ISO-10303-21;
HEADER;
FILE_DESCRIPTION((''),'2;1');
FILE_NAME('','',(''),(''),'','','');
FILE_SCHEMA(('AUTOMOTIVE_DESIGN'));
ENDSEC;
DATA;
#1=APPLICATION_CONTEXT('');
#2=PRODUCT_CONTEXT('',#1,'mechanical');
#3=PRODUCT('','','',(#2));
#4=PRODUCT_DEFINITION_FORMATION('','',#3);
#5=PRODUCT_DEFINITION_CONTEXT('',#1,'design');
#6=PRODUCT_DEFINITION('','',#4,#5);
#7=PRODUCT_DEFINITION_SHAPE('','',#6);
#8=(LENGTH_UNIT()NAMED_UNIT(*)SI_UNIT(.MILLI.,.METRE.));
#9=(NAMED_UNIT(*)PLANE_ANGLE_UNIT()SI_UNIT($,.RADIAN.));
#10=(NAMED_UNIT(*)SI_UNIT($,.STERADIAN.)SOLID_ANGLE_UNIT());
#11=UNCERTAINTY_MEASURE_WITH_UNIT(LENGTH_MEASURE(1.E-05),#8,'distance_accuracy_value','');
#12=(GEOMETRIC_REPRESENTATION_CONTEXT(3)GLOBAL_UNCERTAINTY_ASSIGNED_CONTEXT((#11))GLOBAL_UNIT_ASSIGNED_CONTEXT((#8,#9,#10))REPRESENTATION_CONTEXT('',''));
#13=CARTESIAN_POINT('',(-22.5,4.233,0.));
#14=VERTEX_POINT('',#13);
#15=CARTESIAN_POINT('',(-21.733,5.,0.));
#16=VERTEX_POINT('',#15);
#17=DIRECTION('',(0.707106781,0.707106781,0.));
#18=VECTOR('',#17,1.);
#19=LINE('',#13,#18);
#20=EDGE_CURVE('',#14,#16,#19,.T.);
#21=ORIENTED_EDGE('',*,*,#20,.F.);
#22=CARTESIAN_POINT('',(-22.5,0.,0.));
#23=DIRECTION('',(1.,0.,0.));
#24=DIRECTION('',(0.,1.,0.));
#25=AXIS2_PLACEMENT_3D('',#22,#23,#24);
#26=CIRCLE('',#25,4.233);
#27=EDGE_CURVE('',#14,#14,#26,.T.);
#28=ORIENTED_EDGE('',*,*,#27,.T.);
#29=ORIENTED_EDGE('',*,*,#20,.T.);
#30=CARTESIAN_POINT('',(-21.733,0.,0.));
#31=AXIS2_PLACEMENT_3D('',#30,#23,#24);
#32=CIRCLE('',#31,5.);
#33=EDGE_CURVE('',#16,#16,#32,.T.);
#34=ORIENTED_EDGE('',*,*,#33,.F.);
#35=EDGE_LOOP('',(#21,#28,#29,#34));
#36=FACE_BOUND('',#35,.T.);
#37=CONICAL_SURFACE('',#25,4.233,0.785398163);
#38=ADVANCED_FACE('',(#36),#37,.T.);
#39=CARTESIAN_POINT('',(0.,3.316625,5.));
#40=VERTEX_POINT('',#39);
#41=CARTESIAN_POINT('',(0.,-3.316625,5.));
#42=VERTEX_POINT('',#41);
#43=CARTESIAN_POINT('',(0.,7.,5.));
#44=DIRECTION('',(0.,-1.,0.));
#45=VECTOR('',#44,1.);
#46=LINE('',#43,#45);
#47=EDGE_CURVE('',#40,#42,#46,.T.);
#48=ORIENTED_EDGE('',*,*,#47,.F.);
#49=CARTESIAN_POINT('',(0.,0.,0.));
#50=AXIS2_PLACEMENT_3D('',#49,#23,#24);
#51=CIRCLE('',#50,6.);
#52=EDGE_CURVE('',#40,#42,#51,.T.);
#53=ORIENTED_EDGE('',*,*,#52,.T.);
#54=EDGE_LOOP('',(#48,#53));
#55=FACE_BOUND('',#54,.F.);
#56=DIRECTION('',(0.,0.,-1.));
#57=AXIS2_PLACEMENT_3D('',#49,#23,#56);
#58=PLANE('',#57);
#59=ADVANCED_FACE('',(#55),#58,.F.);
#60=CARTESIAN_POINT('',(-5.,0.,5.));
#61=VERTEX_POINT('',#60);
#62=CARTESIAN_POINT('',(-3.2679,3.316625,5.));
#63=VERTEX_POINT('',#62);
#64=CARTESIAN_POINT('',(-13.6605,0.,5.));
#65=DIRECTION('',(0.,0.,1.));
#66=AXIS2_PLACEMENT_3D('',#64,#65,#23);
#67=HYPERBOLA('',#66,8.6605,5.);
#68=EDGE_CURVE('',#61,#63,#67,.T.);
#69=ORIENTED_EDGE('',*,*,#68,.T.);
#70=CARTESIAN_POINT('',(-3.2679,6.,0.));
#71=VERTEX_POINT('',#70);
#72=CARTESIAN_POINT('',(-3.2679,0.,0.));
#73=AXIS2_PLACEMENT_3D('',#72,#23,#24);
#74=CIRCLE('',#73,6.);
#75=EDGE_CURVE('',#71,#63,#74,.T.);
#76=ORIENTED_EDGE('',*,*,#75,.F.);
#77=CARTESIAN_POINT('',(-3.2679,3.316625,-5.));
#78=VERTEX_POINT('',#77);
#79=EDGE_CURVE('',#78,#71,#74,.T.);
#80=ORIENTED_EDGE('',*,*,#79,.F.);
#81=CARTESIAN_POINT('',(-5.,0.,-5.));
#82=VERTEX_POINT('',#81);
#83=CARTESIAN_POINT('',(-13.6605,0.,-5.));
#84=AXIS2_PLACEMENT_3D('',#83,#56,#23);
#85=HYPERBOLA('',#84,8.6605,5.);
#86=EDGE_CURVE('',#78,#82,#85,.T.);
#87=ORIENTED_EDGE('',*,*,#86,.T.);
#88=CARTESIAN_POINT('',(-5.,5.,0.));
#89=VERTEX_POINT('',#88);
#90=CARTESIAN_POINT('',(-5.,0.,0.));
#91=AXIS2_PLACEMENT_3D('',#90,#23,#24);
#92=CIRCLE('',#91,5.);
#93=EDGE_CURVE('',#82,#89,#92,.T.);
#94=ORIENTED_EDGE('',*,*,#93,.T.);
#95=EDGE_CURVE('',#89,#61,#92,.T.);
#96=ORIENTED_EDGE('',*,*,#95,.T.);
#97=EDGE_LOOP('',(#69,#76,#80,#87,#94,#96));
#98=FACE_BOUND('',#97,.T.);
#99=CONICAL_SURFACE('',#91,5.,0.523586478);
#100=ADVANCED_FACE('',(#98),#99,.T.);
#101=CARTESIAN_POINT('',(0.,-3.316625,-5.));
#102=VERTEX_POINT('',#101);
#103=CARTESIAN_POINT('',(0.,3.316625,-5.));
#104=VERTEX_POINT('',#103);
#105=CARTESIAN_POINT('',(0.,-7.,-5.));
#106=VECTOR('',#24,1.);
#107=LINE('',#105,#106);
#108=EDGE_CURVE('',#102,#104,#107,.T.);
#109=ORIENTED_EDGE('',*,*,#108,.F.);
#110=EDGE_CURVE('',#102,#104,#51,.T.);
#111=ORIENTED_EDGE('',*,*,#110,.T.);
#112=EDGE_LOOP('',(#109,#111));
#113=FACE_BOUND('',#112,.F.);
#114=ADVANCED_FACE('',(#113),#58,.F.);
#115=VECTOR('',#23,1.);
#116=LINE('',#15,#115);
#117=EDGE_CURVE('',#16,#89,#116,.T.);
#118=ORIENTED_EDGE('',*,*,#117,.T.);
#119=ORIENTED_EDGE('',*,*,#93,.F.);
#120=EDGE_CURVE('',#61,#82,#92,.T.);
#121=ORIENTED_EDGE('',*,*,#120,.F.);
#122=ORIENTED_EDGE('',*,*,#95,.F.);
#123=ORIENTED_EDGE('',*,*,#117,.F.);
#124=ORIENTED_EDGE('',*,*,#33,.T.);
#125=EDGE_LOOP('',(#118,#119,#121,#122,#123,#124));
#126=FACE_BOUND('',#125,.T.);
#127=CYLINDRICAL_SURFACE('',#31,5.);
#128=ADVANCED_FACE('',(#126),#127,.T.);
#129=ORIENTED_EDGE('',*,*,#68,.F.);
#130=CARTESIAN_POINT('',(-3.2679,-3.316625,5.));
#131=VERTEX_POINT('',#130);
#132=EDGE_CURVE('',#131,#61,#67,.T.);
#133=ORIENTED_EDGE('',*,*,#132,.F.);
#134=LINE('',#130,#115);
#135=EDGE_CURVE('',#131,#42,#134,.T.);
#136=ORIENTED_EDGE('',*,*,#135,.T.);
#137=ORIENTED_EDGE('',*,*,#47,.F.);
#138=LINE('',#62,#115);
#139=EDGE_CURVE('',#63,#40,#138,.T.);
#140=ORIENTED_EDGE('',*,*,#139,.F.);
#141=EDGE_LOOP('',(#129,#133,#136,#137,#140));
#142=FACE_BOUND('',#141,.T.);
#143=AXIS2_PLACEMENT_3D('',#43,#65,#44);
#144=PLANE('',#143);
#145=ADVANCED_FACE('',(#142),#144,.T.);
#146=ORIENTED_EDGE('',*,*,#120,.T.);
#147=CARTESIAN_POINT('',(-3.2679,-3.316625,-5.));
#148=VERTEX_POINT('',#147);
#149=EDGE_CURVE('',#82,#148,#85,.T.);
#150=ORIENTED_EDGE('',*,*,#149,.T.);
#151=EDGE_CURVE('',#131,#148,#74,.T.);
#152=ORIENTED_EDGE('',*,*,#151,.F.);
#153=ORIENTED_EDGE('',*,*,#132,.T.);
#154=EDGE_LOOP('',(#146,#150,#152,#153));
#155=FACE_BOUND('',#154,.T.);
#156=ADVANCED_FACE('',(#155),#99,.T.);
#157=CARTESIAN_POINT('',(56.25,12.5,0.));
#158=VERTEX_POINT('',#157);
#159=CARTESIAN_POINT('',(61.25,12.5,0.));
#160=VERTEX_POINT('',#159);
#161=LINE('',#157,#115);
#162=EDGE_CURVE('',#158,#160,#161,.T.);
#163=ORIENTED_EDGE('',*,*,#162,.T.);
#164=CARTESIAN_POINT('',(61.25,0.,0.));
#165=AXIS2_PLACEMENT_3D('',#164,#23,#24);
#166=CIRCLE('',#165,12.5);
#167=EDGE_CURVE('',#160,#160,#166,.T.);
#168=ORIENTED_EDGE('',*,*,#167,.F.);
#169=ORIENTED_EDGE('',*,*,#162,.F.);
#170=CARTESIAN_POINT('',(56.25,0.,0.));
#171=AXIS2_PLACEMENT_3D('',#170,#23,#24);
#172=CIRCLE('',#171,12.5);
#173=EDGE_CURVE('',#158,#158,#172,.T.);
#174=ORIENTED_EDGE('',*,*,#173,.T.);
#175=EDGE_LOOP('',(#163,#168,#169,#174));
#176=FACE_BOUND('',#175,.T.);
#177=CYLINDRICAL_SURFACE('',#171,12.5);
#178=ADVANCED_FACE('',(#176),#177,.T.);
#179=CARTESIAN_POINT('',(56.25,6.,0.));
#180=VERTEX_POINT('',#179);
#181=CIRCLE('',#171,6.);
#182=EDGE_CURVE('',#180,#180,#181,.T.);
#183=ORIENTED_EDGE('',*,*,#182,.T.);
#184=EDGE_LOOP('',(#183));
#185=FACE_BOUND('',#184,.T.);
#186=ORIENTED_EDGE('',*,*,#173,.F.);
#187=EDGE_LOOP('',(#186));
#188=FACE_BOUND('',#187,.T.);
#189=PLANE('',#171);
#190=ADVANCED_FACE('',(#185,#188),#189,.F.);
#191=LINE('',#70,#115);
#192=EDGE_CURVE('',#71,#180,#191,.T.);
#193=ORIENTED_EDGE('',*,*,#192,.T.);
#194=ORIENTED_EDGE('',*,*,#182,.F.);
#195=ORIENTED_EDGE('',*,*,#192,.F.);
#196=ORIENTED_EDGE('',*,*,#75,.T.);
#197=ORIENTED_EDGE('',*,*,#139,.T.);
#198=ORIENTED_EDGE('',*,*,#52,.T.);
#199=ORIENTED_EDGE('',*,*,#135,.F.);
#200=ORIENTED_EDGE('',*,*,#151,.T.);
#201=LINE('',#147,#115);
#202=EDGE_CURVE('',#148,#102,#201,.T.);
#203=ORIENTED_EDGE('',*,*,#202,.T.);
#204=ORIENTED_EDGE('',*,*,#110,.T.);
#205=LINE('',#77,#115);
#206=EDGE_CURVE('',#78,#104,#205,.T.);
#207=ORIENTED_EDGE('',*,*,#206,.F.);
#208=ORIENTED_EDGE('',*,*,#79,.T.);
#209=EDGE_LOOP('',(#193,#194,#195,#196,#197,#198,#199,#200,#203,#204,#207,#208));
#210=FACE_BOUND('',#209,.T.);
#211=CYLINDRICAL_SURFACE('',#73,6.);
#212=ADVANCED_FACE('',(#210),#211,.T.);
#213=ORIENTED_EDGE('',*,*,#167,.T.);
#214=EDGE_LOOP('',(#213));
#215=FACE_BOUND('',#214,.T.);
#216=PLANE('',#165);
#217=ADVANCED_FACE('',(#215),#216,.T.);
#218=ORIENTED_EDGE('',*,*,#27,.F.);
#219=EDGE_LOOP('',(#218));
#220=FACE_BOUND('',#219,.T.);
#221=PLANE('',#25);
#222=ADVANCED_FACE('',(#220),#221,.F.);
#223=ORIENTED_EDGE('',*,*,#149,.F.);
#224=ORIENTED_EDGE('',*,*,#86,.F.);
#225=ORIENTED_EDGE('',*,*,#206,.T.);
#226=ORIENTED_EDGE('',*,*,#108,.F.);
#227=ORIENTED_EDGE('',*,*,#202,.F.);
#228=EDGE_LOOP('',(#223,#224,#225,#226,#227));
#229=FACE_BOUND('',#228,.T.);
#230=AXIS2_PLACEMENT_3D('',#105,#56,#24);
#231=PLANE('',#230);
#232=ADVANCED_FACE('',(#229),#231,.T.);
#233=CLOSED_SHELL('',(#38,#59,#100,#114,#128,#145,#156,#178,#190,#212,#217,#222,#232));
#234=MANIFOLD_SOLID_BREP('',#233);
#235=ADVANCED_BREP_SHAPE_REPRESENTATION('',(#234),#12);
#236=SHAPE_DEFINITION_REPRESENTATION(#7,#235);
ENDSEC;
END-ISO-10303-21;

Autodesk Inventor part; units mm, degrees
sketch "Sketch_3" plane through (0, 0, 0) normal (0, 0, 1) x (1, 0, 0)
  line L0 (61.25, 0) -> (-22.5, 0)
  line L1 (-22.5, 0) -> (-22.5, 4.233)
  line L2 (-22.5, 4.233) -> (-21.733, 5)
  line L3 (-21.733, 5) -> (-5, 5)
  line L4 (-5, 5) -> (-3.2679, 6)
  line L5 (-3.2679, 6) -> (56.25, 6)
  line L6 (56.25, 6) -> (56.25, 12.5)
  line L7 (56.25, 12.5) -> (61.25, 12.5)
  line L8 (61.25, 12.5) -> (61.25, 0)
  line L9 (61.25, 0) -> (-22.5, 0)
revolve "Revolution1" add sketch "Sketch_3" angle 360 about axis through (61.25, 0, 0) along (1, 0, 0)
thread "Thread1" size "M10x1.25" class "6g" standard "ISO Metric profile" length 14.233
sketch "Sketch_7" plane through (0, 0, 0) normal (1, 0, 0) x (0, 0, -1)
  circle A0 centre (0, 0) radius 12
  line L0 (-5, 7) -> (-5, -7)
  line L1 (-5, -7) -> (5, -7)
  line L2 (5, -7) -> (5, 7)
  line L3 (5, 7) -> (-5, 7)
extrude "Extrusion1" cut sketch "Sketch_7" against normal blind 5
ref_plane "ROD_BODY_XY" through (0, 0, 0) normal (1, 0, 0) x (0, 0, -1)
ref_plane "ROD_BODY_YZ" through (0, 0, 0) normal (0, 0, -1) x (0, 1, 0)
ref_plane "ROD_BODY_ZX" through (0, 0, 0) normal (0, 1, 0) x (1, 0, 0)
ref_plane "ROD_NUT_XY" through (-22.5, 0, 0) normal (-1, 0, 0) x (0, 0, -1)
ref_plane "ROD_NUT_YZ" through (-22.5, 0, 0) normal (0, 0, -1) x (0, -1, 0)
ref_plane "ROD_NUT_ZX" through (-22.5, 0, 0) normal (0, -1, 0) x (-1, 0, 0)
properties part number "CDQSB25-40DM(1_0)_ROD"
